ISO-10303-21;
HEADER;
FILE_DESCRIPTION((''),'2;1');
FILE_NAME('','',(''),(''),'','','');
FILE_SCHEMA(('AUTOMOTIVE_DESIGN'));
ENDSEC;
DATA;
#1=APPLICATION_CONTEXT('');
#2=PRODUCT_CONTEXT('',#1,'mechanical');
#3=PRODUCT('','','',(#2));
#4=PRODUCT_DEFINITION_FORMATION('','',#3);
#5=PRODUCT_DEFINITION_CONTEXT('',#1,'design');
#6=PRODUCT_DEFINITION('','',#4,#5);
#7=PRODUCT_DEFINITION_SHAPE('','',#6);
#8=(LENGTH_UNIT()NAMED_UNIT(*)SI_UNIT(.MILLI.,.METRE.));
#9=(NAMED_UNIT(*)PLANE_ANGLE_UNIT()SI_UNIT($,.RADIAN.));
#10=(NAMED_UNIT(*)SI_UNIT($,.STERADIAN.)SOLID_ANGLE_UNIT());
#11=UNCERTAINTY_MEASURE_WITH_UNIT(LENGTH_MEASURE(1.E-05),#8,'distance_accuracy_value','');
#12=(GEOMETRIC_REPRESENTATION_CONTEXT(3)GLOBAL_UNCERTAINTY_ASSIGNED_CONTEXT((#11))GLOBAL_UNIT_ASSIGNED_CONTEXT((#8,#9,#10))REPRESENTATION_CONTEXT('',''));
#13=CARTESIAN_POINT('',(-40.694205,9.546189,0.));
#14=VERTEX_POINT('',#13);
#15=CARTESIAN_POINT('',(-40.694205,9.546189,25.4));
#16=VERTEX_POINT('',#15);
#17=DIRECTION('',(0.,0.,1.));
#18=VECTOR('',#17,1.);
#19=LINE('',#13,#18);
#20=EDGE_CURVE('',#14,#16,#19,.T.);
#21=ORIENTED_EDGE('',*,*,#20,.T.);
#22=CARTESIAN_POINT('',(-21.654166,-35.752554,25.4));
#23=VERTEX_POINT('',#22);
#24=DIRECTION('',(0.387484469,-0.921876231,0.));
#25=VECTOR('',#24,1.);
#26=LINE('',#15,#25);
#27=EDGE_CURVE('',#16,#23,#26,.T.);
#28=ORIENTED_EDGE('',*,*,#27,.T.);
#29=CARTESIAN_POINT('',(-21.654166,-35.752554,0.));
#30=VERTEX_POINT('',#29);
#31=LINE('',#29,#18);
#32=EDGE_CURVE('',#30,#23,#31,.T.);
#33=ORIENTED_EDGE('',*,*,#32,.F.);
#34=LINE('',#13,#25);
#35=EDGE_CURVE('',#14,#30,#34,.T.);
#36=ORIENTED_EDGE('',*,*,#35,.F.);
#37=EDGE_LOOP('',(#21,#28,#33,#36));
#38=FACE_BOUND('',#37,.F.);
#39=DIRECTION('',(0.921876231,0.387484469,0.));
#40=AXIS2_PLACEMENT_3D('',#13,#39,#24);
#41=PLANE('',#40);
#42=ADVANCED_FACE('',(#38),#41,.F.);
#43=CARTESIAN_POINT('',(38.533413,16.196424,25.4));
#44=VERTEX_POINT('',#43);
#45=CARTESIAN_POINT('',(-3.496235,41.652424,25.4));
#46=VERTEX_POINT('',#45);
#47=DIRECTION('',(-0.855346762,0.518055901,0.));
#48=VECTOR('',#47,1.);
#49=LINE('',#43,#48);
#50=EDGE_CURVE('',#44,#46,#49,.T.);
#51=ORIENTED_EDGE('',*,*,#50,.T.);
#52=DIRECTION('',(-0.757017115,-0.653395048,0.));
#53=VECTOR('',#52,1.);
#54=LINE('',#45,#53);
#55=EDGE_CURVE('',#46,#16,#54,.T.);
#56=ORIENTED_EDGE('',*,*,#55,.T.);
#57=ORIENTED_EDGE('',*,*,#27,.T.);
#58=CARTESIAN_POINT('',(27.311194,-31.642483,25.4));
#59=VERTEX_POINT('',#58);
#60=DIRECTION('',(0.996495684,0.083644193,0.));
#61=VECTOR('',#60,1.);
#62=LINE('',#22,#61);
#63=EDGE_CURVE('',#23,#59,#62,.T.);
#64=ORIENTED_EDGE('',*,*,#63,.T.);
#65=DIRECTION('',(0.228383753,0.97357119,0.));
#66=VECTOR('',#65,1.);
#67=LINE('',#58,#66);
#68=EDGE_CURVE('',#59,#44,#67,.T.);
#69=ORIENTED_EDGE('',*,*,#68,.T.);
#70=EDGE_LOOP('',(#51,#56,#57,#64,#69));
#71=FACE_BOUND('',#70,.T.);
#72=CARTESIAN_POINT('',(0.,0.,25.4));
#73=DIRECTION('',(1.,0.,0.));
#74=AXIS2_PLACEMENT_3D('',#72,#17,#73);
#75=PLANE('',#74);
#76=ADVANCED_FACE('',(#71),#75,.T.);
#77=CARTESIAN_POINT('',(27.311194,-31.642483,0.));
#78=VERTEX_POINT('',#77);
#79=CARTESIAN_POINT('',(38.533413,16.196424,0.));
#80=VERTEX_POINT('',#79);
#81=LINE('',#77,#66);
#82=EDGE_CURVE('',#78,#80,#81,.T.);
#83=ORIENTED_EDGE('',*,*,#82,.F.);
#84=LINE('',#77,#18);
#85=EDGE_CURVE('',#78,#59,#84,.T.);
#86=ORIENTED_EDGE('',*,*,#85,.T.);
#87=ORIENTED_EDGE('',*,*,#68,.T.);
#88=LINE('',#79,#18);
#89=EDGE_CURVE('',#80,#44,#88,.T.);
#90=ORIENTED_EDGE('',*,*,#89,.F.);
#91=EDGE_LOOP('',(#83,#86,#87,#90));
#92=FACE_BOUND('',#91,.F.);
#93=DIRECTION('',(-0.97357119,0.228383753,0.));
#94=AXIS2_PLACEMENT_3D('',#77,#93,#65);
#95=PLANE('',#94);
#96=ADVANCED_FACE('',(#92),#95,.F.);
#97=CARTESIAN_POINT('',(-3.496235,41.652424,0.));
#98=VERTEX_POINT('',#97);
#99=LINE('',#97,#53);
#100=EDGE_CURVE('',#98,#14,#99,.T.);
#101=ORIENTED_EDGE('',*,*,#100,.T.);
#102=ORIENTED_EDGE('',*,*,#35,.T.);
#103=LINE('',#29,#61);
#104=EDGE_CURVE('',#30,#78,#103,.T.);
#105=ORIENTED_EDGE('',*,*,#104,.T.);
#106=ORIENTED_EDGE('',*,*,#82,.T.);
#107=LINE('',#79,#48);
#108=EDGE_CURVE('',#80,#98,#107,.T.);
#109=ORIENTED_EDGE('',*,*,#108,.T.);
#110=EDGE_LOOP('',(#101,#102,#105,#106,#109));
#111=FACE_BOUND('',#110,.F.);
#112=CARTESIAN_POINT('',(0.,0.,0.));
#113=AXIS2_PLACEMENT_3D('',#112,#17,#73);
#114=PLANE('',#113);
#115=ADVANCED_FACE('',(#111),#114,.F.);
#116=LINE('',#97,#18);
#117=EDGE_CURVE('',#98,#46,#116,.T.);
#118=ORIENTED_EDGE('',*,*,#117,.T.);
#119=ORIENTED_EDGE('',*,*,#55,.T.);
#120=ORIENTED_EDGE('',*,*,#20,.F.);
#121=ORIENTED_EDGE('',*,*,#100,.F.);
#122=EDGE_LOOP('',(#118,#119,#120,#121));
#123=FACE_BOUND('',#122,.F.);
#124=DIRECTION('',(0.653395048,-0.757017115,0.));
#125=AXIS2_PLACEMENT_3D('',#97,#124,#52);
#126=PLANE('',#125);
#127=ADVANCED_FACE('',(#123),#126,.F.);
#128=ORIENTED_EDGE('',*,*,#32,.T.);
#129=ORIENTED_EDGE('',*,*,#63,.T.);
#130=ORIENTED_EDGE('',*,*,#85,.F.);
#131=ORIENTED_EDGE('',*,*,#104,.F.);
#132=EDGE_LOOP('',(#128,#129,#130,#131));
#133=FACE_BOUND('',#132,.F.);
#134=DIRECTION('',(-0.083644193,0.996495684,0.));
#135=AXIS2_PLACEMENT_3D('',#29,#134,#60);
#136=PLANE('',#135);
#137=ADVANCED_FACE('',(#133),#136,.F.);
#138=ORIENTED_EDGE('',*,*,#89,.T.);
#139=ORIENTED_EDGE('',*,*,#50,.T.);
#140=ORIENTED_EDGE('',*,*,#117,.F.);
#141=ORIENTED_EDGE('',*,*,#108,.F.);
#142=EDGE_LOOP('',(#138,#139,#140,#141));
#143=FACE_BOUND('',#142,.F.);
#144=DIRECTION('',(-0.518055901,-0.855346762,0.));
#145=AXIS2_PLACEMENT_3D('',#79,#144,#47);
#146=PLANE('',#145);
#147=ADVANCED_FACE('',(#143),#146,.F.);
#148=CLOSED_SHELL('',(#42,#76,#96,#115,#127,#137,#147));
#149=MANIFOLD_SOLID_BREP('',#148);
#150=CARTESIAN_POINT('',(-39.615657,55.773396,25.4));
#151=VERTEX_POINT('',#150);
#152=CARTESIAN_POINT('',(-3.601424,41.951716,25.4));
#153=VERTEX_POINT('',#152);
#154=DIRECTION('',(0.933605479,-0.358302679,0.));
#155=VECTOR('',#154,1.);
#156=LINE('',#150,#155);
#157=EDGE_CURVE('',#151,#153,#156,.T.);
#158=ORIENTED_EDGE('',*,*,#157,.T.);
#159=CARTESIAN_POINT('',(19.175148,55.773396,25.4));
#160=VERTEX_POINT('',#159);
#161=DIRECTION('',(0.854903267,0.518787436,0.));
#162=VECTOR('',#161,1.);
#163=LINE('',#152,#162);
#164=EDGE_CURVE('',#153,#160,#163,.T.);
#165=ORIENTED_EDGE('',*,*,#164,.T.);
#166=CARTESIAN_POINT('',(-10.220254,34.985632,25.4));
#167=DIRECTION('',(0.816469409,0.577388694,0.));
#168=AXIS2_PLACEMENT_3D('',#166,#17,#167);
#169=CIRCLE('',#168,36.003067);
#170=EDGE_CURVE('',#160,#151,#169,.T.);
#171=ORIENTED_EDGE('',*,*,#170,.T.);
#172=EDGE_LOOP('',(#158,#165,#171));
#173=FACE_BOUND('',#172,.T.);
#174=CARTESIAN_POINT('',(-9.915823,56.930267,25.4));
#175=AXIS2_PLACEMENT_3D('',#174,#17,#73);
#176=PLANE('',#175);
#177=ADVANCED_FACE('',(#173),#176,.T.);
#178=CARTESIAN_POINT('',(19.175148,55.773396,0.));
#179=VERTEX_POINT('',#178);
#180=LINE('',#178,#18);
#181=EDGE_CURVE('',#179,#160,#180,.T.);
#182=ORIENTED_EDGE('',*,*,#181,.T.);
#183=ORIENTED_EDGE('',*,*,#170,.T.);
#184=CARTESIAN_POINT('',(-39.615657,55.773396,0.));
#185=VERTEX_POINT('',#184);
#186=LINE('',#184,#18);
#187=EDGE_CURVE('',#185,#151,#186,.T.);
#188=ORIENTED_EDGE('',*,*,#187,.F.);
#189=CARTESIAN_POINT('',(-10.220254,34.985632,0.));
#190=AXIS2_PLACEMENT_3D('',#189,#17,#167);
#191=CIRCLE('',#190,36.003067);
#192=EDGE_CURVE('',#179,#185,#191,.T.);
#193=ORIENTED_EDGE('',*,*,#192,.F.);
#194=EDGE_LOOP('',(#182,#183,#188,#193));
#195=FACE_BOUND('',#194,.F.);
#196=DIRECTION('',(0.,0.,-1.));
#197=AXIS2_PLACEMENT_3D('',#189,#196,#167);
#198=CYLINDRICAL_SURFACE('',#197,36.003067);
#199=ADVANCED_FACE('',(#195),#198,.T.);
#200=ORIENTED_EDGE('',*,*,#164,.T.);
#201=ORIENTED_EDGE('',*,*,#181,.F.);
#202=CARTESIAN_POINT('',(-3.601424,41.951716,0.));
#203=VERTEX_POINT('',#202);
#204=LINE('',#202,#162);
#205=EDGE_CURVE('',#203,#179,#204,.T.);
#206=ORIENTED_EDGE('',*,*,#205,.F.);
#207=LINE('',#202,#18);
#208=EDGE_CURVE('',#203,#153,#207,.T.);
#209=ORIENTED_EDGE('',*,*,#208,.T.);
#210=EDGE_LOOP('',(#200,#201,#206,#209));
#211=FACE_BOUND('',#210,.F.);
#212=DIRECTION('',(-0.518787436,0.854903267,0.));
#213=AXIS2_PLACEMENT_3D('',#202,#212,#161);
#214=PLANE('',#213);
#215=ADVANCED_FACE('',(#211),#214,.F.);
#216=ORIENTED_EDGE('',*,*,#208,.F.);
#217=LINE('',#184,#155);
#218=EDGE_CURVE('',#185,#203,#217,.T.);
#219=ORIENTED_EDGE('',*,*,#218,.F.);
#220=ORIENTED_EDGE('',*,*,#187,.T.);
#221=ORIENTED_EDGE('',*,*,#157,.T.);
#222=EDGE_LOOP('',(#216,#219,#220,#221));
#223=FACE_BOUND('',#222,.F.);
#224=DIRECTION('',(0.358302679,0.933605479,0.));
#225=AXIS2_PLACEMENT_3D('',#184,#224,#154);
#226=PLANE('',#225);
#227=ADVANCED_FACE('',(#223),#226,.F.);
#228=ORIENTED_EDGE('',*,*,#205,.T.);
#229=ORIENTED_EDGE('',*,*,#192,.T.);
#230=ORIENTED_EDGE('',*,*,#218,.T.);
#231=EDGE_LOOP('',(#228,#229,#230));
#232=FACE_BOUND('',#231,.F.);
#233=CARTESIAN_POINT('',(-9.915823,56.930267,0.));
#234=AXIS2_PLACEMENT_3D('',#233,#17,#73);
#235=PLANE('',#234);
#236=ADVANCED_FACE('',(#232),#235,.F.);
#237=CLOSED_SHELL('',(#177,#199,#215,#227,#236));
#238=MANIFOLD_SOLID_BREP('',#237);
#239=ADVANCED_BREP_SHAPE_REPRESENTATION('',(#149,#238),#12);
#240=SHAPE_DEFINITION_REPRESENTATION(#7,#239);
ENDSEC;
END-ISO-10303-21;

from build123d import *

# Parameters (mm, degrees)
F2_DEPTH = 25.4


with BuildPart() as f2:
    # F0 (on Top) + F1 (on Top) → F2 (new body)
    with BuildSketch(Plane.XY):
        Polygon((-3.496235, 41.652424), (-40.694205, 9.546189), (-21.654166, -35.752554), (27.311194, -31.642483), (38.533413, 16.196424), align=None)
    with BuildSketch(Plane.XY):
        with BuildLine():
            Line((-39.615657, 55.773396), (-3.601424, 41.951716))
            Line((-3.601424, 41.951716), (19.175148, 55.773396))
            ThreePointArc((19.175148, 55.773396), (-10.220255, 70.988699), (-39.615657, 55.773396))
        make_face()
    extrude(amount=F2_DEPTH)


solid = f2.part
